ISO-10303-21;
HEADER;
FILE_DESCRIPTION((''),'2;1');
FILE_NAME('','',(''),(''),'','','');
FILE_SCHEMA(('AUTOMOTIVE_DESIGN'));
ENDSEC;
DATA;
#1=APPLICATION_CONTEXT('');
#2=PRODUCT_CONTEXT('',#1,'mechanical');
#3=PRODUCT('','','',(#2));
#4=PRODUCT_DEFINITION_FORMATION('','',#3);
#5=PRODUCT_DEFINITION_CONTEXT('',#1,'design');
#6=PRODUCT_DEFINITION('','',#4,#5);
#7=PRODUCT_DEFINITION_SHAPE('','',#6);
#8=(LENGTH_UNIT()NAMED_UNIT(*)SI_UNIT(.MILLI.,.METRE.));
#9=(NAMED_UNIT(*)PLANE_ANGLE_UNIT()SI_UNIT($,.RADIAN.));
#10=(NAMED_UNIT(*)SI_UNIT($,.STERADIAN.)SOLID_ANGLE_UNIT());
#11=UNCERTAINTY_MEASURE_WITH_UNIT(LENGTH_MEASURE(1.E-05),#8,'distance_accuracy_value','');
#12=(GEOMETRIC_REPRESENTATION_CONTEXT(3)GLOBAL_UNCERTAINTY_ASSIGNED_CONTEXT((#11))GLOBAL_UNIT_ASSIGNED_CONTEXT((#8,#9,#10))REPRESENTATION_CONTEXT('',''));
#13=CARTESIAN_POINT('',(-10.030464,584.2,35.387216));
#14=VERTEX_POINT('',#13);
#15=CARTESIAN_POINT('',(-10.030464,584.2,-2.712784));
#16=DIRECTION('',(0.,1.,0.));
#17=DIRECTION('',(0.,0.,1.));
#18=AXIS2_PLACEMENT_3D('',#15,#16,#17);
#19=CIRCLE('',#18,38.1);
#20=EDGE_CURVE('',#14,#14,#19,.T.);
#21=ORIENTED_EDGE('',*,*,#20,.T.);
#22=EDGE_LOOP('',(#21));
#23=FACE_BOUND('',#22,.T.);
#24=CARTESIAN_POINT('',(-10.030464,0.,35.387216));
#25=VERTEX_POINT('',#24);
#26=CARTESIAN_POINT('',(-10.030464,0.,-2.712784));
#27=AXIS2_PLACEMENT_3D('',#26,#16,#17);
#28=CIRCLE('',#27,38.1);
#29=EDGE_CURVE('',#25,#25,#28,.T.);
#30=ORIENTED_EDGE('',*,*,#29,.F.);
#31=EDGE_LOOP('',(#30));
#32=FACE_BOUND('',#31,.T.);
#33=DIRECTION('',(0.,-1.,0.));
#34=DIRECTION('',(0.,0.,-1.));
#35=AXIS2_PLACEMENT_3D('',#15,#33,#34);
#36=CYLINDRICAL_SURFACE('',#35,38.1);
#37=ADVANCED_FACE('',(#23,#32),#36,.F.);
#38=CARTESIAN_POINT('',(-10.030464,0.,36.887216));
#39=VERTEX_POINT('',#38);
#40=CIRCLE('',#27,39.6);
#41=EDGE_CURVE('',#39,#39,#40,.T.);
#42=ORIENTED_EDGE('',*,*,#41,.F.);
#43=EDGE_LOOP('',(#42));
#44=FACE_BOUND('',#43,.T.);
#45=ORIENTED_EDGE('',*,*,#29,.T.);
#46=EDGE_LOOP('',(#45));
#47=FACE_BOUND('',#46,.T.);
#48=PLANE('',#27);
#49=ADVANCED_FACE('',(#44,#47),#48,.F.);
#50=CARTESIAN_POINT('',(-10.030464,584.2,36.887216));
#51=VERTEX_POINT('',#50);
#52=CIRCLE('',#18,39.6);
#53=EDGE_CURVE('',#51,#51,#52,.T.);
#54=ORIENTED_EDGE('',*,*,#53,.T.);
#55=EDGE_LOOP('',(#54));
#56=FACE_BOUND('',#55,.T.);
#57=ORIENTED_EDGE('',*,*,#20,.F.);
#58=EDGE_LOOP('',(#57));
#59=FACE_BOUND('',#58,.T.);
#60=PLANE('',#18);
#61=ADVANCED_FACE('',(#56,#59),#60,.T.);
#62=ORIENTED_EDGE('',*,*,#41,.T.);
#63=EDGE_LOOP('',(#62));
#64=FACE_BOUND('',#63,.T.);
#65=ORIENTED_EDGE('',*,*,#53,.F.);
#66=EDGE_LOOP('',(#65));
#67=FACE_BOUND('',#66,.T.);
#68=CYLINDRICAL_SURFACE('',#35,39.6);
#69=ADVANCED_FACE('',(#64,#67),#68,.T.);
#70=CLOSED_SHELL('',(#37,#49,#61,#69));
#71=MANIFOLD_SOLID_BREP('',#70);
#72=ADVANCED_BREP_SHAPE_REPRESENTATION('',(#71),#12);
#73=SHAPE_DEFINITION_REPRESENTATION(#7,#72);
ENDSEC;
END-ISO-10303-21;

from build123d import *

# Parameters (mm, degrees)
SKETCH4_R           = 39.6
SKETCH4_R_2         = 38.1
BOSS_EXTRUDE2_DEPTH = 584.2


with BuildPart() as part:
    # Sketch4 → Boss-Extrude2 (new body)
    with BuildSketch(Plane(origin=(0, 0, 0), x_dir=(1, 0, 0), z_dir=(0, 1, 0))):
        with Locations(Location((-10.030463542, 2.712784458, 0), (0, 0, 270))):
            Circle(SKETCH4_R)
        with Locations(Location((-10.030463542, 2.712784458, 0), (0, 0, 270))):
            Circle(SKETCH4_R_2, mode=Mode.SUBTRACT)
    extrude(amount=BOSS_EXTRUDE2_DEPTH)


solid = part.part
